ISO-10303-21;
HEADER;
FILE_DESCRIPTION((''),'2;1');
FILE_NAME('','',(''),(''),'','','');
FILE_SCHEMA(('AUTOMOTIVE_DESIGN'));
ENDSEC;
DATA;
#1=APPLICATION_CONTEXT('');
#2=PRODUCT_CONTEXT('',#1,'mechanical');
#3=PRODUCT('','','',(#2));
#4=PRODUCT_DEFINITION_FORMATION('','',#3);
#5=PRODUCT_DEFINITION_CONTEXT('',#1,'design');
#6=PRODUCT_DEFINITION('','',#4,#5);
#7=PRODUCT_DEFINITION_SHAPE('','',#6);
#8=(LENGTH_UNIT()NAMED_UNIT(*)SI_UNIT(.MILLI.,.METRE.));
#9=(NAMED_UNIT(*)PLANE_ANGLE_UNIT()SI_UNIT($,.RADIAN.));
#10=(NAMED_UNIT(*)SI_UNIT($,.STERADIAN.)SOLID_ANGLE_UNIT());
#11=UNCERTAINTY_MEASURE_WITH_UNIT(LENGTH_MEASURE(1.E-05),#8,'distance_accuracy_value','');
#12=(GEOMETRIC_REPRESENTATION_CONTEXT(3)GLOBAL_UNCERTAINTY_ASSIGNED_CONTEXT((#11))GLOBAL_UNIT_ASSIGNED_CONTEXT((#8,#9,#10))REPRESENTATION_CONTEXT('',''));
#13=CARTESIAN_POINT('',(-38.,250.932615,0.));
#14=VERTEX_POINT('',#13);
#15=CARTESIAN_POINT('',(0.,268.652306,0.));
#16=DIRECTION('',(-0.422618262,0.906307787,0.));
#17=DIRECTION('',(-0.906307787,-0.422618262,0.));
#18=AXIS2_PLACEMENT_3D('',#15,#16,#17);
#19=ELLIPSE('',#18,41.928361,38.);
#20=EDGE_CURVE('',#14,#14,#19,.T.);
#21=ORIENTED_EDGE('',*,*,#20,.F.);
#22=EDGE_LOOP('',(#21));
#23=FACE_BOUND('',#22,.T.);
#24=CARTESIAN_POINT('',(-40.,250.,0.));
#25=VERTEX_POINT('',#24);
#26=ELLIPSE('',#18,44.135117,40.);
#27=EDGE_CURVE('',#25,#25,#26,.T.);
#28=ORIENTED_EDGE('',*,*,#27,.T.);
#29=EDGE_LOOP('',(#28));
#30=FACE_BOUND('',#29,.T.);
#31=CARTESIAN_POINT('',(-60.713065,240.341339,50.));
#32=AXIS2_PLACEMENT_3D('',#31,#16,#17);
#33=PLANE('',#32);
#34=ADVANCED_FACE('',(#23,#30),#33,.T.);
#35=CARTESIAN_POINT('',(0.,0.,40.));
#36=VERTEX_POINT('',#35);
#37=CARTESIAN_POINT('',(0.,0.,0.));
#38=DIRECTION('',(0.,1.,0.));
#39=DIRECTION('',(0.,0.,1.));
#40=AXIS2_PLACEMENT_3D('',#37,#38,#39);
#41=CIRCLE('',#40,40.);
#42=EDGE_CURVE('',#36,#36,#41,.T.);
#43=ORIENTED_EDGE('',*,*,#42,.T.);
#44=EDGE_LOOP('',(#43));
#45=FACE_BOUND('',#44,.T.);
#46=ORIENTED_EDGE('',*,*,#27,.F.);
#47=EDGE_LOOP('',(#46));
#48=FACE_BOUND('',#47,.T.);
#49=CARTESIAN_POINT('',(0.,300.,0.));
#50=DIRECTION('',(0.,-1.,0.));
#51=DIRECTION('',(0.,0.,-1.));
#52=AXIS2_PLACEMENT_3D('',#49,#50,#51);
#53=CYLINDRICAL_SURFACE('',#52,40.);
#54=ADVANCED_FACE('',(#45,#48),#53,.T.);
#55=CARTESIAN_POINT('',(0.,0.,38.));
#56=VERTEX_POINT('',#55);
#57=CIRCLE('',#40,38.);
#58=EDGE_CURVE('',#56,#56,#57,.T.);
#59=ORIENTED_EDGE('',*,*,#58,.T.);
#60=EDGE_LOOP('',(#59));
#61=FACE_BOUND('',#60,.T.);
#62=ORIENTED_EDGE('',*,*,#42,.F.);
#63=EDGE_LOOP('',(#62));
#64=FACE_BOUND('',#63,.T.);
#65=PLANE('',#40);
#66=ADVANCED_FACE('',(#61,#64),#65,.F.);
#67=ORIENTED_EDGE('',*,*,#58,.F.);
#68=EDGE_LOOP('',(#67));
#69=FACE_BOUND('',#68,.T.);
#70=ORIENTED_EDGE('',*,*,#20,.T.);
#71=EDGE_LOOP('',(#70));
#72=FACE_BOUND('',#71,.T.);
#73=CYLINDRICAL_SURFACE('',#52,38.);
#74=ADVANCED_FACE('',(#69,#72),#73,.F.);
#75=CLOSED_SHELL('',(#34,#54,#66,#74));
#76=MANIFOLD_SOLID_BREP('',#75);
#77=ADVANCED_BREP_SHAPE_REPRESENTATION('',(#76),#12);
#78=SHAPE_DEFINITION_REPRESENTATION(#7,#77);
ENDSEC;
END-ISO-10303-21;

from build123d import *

# Parameters (mm, degrees)
ESQUISSE1_R                  = 40
ESQUISSE1_R_2                = 38
BOSS_EXTRU_1_DEPTH           = 300
ENL_V_MAT_EXTRU_1_DEPTH      = 50
ENL_V_MAT_EXTRU_1_DEPTH_BACK = 50


with BuildPart() as part:
    # Esquisse1 → Boss.-Extru.1 (new body)
    with BuildSketch(Plane(origin=(0, 0, 0), x_dir=(1, 0, 0), z_dir=(0, 1, 0))):
        with Locations(Location((0, 0, 0), (0, 0, 270))):  # turned: the seam where the file's is
            Circle(ESQUISSE1_R)
        with Locations(Location((0, 0, 0), (0, 0, 270))):  # turned: the seam where the file's is
            Circle(ESQUISSE1_R_2, mode=Mode.SUBTRACT)
    extrude(amount=BOSS_EXTRU_1_DEPTH)

    # Esquisse2 → Enl_v. mat.-Extru.1 (cut, two sides)
    with BuildSketch(Plane.XY) as enl_v_mat_extru_1_sk:
        Polygon((50.630778704, 292.261826174), (50.630778704, 339.972183494), (-60.713064901, 339.972183494), (-60.713064901, 240.341339213), align=None)
    extrude(amount=ENL_V_MAT_EXTRU_1_DEPTH, mode=Mode.SUBTRACT)
    extrude(enl_v_mat_extru_1_sk.sketch, amount=-ENL_V_MAT_EXTRU_1_DEPTH_BACK, mode=Mode.SUBTRACT)


solid = part.part
